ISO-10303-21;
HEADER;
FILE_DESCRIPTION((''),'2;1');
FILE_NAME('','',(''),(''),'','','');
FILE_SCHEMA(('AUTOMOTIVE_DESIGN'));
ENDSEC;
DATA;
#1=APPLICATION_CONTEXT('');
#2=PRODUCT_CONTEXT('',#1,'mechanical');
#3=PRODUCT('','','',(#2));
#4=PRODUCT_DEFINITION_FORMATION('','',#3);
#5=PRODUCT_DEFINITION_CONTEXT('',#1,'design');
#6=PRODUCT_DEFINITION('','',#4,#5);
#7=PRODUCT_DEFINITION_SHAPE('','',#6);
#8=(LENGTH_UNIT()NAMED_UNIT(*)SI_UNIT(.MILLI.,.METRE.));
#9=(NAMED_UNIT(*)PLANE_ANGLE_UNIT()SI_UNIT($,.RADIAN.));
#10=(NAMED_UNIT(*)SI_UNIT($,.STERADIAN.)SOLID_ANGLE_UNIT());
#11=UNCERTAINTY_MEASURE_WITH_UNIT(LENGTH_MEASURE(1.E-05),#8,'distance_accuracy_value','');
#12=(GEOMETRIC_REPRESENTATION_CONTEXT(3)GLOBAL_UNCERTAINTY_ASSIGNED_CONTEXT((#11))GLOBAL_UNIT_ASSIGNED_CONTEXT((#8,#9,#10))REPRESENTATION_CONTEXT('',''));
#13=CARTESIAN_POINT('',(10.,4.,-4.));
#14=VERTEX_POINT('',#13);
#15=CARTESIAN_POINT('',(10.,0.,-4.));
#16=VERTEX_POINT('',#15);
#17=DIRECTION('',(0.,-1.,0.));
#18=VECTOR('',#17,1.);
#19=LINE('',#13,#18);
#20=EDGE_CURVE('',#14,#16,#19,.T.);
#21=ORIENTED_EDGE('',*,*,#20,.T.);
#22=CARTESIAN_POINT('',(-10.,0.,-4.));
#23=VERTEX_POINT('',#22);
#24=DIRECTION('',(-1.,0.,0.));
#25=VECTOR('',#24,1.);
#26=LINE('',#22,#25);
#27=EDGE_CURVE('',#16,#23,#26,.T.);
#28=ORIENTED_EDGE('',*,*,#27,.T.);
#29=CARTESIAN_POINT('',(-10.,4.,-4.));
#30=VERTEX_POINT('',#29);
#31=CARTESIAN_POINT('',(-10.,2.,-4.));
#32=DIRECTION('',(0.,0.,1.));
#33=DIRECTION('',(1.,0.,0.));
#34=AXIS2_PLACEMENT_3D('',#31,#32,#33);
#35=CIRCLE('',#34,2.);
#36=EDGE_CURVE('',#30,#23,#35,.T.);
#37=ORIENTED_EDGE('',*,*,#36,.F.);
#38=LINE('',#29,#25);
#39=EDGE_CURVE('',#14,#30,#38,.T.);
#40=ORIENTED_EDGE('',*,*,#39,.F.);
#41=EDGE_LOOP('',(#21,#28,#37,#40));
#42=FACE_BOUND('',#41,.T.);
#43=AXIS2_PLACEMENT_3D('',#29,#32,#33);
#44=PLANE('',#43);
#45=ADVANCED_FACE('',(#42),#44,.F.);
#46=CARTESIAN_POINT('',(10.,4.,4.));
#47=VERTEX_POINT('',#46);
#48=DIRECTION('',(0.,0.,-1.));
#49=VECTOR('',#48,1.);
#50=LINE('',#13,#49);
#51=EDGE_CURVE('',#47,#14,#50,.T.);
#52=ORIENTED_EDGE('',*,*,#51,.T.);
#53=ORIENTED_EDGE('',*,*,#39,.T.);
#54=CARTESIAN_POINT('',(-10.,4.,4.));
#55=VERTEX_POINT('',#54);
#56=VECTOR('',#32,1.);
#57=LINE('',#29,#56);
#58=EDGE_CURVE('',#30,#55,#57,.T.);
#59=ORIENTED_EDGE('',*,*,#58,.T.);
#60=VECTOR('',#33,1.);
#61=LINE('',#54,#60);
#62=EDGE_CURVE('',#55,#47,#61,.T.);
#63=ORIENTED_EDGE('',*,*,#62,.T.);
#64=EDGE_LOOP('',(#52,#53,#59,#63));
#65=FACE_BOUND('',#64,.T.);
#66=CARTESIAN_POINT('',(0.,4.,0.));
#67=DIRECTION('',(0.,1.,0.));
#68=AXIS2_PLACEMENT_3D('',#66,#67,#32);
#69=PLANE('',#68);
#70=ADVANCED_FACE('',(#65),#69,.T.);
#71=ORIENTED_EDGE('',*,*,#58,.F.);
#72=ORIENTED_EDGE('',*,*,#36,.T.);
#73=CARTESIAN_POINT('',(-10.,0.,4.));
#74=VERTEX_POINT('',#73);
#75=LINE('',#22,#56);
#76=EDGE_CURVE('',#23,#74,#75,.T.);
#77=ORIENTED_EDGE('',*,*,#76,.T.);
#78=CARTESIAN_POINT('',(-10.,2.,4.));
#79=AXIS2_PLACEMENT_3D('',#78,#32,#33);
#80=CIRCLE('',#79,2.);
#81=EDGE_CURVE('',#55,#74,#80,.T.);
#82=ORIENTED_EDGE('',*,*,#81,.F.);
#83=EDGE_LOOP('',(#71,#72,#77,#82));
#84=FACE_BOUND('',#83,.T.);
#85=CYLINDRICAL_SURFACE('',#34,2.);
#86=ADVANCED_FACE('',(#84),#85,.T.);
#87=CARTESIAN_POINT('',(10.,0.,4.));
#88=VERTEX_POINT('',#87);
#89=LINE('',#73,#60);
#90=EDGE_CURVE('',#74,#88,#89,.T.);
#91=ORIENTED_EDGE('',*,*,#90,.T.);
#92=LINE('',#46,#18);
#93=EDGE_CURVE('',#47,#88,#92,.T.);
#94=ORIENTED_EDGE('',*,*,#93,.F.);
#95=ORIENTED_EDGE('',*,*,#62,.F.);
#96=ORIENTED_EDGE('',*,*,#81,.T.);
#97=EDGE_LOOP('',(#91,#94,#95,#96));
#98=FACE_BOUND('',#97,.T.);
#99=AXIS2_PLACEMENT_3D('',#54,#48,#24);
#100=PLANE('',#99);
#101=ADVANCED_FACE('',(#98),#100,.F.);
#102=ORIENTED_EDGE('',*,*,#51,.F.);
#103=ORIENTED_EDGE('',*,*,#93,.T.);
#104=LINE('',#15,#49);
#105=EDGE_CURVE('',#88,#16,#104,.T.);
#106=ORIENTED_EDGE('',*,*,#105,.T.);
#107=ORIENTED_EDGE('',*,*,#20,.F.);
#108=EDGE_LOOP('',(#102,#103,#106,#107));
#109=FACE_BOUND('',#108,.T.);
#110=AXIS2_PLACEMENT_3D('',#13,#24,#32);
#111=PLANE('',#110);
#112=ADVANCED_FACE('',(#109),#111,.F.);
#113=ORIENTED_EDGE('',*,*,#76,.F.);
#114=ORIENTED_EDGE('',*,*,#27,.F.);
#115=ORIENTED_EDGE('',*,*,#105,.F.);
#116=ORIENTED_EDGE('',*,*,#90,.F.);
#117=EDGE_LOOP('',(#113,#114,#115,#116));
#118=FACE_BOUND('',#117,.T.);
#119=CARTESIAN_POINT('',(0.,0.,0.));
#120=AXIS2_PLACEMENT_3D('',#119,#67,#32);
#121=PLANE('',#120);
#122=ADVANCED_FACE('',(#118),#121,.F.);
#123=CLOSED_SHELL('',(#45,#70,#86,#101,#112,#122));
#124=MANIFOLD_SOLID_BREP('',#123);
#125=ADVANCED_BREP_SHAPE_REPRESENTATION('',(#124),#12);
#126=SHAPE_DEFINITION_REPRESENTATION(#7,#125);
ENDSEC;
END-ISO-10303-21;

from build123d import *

# Parameters (mm, degrees)
SKETCH_1_W      = 20
SKETCH_1_H      = 8
EXTRUDE_1_DEPTH = 4
SKETCH_2_R      = 2
EXTRUDE_2_DEPTH = 8


with BuildPart() as part:
    # 草图1 → 凸台-拉伸1 (new body)
    with BuildSketch(Plane(origin=(0, 0, 0), x_dir=(1, 0, 0), z_dir=(0, 1, 0))):
        Rectangle(SKETCH_1_W, SKETCH_1_H)
    extrude(amount=EXTRUDE_1_DEPTH)

    # 草图2 → 凸台-拉伸2 (add)
    with BuildSketch(Plane.XY.offset(4)):
        with Locations((-10, 2)):
            Circle(SKETCH_2_R)
    extrude(amount=-EXTRUDE_2_DEPTH)


solid = part.part
